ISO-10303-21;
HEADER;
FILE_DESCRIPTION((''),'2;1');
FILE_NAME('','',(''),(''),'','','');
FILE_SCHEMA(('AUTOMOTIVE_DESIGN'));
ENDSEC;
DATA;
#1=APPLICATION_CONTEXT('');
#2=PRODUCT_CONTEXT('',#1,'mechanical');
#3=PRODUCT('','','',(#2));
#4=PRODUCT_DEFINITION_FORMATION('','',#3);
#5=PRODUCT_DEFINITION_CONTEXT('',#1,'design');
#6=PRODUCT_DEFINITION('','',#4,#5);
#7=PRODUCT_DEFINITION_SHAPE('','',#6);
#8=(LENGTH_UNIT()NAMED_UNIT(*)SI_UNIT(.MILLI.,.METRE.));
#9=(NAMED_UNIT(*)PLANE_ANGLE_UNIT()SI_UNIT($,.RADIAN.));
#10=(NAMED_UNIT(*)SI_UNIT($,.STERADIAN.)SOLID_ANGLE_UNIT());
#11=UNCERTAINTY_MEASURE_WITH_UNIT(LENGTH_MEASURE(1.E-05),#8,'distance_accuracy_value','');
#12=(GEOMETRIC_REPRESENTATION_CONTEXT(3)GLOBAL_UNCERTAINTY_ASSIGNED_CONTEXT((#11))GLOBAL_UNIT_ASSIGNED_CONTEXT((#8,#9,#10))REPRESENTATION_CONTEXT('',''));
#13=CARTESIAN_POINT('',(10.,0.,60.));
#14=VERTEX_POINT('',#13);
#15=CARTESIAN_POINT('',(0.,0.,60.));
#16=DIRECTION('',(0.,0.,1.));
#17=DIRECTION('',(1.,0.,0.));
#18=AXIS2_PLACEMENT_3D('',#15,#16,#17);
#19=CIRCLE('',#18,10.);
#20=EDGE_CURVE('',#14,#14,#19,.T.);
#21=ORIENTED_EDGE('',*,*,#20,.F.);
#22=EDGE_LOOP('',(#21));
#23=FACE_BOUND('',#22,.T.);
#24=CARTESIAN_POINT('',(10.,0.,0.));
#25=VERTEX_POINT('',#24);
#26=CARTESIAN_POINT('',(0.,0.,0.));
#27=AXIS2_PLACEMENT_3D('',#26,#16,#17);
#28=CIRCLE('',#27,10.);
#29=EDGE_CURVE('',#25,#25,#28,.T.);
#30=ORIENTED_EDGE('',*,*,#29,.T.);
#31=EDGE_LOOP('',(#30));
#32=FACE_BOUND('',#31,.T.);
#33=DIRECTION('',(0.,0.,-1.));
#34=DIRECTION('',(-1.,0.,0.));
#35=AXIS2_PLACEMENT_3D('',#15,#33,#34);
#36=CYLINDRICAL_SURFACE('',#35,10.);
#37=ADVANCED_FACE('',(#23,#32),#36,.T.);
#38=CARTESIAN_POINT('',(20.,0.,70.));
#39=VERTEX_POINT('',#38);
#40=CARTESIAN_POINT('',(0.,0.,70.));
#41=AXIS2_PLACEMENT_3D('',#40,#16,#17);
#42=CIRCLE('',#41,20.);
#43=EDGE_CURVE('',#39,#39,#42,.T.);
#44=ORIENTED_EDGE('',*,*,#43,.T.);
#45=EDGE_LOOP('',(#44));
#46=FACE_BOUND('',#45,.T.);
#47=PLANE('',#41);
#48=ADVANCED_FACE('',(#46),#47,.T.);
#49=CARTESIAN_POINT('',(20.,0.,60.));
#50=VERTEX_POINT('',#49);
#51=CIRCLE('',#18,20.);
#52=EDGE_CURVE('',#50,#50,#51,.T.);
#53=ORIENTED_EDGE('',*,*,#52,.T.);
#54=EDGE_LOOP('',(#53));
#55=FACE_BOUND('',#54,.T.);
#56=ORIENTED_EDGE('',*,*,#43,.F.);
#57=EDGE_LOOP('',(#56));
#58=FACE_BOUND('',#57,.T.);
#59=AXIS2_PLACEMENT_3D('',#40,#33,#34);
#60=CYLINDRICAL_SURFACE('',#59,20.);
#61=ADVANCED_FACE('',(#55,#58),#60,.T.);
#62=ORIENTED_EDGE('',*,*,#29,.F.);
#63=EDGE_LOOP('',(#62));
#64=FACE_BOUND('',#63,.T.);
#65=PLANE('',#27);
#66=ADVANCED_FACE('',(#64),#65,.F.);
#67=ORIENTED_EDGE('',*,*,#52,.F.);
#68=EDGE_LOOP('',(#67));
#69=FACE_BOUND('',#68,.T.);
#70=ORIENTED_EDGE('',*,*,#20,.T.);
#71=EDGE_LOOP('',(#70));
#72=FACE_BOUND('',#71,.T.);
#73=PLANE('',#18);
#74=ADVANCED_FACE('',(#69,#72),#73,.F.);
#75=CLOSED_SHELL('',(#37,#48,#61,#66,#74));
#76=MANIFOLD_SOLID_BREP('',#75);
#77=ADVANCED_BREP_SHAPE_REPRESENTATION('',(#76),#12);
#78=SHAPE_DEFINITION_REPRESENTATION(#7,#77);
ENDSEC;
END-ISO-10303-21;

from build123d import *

# Parameters (mm, degrees)
SKETCH_1_R      = 10
EXTRUDE_1_DEPTH = 60
SKETCH_2_R      = 20
EXTRUDE_2_DEPTH = 10


with BuildPart() as part:
    # 스케치1 → 보스-돌출1 (new body)
    with BuildSketch(Plane.XY):
        Circle(SKETCH_1_R)
    extrude(amount=EXTRUDE_1_DEPTH)

    # 스케치2 → 보스-돌출2 (add)
    with BuildSketch(Plane.XY.offset(60)):
        Circle(SKETCH_2_R)
    extrude(amount=EXTRUDE_2_DEPTH)


solid = part.part
